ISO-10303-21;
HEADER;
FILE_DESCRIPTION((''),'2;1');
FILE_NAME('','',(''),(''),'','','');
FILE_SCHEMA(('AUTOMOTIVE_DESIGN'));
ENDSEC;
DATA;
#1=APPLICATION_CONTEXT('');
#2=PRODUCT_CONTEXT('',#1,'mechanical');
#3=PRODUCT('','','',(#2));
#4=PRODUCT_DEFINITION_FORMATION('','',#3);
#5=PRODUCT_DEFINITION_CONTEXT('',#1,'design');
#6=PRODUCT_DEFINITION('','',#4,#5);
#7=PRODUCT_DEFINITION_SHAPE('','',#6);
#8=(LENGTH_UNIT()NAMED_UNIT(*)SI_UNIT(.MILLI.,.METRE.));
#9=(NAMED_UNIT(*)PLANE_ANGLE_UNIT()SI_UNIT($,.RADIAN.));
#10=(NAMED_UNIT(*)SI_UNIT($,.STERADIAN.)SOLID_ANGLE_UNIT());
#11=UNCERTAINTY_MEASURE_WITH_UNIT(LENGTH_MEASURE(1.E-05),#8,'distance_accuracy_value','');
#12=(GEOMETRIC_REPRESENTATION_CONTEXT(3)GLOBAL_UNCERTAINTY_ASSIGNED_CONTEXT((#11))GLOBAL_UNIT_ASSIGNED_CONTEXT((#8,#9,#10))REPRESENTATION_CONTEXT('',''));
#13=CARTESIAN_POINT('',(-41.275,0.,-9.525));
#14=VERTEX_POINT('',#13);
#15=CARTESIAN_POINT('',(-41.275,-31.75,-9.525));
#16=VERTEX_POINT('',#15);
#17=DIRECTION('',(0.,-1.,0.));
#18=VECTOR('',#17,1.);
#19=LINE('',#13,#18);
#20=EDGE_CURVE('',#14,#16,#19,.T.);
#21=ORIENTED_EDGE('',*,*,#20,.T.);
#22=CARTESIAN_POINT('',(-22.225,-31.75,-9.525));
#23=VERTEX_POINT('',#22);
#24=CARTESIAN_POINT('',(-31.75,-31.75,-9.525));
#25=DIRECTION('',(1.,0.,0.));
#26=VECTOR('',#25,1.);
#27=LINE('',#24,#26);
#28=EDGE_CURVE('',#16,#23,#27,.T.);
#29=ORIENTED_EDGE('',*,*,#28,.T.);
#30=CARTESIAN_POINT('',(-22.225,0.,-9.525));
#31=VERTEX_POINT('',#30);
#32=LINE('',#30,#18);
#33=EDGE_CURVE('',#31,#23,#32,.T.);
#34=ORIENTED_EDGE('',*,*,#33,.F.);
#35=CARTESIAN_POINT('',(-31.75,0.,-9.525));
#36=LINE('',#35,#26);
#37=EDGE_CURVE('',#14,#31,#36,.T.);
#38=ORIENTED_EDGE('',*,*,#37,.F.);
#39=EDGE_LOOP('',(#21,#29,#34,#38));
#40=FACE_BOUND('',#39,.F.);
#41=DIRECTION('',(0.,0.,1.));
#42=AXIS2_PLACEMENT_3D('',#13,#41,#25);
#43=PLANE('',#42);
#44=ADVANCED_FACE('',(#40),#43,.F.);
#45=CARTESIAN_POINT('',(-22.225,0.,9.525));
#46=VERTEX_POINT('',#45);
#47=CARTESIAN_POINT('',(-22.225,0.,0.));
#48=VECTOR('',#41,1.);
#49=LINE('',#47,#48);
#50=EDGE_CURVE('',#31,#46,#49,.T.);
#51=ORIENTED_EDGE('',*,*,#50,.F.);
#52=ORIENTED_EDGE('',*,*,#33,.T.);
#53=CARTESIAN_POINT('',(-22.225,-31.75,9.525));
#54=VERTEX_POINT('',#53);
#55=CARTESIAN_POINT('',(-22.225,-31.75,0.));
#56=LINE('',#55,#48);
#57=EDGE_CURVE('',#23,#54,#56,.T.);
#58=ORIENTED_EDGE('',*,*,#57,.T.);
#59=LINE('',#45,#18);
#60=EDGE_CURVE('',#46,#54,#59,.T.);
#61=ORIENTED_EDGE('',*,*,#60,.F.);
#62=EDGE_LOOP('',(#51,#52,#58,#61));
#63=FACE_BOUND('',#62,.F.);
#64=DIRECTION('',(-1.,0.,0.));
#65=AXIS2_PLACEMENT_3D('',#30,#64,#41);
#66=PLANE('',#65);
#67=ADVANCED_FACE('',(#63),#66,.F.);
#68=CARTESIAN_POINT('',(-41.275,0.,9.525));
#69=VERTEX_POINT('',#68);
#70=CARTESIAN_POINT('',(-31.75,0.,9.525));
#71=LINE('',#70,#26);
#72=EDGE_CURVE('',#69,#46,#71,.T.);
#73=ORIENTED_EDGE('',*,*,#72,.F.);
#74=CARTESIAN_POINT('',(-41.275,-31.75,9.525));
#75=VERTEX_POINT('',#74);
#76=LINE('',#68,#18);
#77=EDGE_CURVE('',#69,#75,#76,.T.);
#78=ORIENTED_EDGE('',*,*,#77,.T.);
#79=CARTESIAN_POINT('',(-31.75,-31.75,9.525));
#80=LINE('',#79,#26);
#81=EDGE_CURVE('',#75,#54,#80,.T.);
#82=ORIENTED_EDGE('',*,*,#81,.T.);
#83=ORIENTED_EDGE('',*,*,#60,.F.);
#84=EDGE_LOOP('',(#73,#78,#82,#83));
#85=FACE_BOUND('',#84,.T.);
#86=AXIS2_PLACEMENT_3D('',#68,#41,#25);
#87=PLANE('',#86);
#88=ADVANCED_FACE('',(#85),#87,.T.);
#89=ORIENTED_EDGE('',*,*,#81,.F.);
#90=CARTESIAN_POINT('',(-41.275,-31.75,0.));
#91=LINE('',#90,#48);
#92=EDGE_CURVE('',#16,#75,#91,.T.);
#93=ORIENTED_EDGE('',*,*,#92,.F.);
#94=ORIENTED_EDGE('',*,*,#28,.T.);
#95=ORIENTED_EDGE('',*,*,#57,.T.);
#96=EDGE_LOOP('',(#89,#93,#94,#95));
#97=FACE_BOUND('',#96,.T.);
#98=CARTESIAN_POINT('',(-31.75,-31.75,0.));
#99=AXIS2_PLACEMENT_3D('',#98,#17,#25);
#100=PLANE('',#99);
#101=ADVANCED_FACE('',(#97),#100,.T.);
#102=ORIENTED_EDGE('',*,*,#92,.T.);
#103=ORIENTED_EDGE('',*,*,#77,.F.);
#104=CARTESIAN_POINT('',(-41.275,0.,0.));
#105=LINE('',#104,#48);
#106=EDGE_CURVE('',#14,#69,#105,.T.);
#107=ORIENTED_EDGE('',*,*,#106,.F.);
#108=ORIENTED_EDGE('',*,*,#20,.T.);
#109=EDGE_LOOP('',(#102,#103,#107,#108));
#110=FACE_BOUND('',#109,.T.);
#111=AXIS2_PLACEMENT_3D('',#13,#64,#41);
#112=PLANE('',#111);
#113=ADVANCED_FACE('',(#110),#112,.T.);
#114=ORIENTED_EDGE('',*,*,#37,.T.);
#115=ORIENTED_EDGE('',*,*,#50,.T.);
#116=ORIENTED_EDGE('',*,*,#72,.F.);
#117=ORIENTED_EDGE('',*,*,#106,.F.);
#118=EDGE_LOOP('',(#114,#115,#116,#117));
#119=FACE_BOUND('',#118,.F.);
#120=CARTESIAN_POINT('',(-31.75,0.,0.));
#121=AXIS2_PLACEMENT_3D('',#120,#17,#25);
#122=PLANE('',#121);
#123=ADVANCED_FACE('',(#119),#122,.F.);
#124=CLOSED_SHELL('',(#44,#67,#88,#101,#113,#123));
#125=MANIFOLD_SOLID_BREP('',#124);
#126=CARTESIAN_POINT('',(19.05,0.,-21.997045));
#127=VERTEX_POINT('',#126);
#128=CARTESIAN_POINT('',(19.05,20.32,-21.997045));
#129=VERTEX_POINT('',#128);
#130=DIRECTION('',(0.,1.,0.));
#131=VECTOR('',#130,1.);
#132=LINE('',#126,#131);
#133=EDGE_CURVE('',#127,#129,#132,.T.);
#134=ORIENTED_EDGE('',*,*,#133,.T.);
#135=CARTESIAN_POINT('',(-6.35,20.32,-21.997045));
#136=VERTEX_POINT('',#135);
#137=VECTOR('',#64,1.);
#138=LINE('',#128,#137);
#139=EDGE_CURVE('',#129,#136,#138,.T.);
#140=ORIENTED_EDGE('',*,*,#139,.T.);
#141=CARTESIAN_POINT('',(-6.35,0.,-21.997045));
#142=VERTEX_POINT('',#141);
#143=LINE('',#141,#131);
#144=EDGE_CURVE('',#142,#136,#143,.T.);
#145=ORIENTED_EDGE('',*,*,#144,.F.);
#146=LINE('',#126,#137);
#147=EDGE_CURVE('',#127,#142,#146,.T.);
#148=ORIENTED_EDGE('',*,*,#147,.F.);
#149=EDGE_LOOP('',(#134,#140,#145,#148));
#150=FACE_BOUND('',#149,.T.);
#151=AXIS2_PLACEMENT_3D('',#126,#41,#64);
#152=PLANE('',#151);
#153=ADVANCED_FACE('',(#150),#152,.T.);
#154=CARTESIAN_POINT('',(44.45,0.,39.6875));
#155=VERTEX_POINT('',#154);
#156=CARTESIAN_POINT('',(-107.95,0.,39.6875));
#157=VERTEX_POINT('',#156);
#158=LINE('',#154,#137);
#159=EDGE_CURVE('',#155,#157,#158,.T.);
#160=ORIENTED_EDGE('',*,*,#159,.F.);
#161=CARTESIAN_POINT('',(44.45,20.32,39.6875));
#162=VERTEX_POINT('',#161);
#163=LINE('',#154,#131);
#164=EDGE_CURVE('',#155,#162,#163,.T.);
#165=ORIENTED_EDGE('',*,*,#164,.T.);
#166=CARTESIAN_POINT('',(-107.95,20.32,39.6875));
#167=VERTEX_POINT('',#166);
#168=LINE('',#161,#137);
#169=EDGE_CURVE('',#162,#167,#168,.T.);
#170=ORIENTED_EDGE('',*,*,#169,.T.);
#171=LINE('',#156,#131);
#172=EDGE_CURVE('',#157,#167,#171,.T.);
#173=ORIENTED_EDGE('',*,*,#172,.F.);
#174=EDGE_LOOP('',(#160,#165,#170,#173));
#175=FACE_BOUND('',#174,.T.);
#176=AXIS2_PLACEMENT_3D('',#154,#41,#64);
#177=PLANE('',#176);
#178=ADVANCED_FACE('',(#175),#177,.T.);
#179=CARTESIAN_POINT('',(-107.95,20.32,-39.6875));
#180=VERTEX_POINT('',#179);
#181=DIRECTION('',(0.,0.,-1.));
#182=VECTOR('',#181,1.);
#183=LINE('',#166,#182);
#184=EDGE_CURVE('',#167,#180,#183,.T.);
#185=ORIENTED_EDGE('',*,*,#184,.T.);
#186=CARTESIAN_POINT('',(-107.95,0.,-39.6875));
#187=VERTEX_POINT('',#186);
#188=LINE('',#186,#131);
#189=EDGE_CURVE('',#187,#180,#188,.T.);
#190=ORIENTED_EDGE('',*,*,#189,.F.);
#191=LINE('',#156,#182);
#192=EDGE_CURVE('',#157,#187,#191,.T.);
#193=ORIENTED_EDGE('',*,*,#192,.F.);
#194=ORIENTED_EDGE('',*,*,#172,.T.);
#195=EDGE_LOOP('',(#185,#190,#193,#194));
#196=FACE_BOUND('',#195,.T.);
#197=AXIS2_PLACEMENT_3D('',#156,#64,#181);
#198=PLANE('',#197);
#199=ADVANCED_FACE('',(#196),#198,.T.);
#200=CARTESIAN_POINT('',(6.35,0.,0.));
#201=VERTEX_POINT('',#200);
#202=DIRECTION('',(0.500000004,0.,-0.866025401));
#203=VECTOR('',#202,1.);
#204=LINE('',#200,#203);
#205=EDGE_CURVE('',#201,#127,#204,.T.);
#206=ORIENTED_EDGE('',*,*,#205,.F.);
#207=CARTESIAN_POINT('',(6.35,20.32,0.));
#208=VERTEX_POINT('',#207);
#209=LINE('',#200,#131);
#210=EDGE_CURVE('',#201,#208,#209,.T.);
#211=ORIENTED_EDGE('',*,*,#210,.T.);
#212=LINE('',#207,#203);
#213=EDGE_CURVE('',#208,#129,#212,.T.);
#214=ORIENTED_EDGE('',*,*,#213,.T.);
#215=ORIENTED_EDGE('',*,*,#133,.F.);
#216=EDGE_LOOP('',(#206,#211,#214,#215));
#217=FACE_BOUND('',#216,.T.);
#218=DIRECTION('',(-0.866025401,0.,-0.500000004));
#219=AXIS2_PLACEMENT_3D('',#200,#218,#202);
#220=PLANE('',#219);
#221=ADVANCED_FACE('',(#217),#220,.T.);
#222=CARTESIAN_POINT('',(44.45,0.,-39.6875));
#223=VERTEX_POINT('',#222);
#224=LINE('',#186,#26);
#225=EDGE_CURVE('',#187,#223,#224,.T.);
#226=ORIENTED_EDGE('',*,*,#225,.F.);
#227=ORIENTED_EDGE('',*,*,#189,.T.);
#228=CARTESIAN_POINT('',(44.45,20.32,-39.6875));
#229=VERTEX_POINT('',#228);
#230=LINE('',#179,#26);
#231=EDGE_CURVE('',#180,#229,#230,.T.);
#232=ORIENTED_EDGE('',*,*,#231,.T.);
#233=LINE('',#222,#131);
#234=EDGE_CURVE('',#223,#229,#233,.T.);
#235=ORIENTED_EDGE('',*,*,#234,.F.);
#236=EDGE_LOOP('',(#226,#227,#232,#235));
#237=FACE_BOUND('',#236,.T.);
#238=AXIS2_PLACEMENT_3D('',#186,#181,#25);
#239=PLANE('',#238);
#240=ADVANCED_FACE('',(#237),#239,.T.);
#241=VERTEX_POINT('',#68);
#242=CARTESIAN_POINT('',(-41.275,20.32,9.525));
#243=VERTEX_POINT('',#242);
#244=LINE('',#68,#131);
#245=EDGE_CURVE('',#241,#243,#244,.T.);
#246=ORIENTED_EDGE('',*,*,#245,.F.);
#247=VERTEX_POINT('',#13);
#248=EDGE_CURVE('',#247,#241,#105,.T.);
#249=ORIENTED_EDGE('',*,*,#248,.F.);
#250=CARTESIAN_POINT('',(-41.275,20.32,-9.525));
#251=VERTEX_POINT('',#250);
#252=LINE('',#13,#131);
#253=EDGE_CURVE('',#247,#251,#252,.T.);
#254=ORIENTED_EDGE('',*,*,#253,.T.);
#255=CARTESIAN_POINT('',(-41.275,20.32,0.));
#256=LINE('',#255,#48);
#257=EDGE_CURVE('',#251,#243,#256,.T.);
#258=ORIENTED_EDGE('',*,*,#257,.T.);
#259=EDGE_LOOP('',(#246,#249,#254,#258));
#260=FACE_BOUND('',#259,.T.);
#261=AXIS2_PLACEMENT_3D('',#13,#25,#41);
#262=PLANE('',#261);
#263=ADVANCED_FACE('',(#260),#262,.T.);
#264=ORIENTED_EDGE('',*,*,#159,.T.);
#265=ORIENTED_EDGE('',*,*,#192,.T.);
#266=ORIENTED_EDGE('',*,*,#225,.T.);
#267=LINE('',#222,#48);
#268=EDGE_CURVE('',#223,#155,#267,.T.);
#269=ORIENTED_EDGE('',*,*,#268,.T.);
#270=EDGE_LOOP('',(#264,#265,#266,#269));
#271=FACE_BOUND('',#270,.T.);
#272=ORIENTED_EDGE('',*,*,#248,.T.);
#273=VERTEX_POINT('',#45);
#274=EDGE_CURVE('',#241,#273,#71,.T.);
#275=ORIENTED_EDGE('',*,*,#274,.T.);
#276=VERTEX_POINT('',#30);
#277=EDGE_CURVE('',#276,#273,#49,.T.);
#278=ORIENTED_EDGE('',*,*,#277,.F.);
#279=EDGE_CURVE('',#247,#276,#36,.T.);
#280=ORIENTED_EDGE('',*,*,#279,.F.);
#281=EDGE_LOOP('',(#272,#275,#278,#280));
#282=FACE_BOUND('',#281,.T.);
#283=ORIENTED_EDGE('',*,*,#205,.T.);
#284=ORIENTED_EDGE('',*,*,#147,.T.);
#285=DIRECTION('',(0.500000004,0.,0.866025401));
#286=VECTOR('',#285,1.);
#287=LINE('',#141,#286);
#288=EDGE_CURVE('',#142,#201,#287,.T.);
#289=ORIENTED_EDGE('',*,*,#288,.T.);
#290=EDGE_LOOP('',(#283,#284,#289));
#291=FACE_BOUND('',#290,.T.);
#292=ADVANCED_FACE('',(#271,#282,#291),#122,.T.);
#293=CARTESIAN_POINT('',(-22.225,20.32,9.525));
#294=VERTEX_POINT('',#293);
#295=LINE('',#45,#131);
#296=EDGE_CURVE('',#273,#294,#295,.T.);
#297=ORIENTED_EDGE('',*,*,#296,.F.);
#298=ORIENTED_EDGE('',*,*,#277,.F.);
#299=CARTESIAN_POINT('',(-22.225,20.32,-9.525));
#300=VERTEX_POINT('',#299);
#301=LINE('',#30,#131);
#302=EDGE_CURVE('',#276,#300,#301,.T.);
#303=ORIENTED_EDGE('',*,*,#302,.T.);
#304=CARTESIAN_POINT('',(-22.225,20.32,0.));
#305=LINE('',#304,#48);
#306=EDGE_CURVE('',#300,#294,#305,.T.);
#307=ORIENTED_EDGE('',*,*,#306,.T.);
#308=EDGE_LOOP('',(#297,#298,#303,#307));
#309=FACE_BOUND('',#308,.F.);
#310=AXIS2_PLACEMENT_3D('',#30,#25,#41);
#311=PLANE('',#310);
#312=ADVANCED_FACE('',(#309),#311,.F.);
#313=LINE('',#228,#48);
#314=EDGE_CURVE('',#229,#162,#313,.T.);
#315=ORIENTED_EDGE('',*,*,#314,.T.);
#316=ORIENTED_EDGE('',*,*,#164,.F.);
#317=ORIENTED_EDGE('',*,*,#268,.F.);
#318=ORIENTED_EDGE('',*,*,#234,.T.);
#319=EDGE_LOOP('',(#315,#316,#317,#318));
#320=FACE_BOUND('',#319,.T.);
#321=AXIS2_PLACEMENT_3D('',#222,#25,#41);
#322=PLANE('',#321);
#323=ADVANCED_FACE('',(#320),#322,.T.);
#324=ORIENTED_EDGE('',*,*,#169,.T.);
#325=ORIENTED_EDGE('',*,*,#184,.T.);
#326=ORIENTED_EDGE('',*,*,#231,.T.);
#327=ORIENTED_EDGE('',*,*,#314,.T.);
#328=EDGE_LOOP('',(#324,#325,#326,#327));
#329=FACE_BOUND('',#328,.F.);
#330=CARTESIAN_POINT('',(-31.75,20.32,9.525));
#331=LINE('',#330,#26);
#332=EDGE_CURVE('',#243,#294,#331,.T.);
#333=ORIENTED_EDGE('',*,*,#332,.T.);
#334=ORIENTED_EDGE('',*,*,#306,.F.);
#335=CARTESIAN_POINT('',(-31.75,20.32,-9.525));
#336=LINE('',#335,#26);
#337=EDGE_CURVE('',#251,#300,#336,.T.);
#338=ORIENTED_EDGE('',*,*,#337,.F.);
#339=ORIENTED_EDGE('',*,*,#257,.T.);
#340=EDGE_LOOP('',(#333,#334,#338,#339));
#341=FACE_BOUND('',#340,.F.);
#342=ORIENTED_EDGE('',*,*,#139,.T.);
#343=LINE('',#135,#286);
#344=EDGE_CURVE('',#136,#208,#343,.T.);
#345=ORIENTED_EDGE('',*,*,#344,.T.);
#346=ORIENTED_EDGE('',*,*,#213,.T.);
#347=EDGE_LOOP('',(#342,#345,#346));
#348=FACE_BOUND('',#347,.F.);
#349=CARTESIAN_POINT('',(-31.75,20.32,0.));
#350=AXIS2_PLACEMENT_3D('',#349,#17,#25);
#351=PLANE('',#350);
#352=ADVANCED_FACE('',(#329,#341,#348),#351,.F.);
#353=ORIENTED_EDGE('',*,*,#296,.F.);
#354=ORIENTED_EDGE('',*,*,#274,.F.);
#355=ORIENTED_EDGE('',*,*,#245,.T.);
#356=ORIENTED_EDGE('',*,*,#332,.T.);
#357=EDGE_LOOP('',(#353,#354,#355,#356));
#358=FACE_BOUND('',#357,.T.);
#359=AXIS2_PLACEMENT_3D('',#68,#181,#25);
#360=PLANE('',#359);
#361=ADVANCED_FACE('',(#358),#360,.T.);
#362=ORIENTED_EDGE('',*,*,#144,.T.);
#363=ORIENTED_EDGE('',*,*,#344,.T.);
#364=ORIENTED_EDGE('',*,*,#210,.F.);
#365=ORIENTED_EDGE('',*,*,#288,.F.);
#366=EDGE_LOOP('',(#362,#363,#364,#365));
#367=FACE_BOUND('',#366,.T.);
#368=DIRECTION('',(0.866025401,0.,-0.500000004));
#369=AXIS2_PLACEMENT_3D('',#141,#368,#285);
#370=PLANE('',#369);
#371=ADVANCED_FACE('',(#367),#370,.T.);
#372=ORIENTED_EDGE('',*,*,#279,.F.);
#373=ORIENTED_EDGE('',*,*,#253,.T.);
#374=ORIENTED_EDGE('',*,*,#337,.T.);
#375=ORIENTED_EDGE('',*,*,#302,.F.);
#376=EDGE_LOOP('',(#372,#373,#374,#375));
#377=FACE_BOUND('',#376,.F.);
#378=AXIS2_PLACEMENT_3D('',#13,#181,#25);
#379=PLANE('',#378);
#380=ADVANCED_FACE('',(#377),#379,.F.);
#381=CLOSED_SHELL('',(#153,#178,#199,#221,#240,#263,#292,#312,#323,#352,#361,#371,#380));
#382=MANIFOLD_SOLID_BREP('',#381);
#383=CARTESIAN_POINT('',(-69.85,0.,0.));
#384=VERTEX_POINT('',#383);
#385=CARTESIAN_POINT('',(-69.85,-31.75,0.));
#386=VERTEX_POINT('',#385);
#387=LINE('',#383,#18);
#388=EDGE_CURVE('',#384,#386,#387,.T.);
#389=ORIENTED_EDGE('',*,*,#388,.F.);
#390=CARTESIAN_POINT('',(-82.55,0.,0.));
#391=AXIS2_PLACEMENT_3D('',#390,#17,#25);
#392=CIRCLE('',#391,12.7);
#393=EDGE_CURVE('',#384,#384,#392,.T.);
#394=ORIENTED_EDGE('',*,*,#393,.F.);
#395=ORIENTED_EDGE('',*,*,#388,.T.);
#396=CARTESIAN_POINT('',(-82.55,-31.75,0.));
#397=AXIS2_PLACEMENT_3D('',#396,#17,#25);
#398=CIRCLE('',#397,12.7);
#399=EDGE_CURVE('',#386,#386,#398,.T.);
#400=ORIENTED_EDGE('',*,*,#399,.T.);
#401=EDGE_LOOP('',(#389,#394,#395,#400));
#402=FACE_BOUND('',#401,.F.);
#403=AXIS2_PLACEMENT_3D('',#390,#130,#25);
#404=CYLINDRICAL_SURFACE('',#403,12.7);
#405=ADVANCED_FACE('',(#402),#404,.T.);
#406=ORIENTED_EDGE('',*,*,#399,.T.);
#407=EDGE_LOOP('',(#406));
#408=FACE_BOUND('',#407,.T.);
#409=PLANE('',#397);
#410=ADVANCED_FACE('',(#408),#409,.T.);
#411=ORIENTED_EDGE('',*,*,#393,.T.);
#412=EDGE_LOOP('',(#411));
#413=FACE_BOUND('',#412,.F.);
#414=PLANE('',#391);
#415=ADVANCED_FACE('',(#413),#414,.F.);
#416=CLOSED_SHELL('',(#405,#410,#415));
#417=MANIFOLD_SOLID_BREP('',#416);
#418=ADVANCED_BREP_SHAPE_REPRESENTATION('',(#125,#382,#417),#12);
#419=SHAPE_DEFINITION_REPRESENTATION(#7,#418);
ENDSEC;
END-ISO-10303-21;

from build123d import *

# Parameters (mm, degrees)
F0_R     = 12.7
F0_W     = 19.05
F0_H     = 19.05
F1_DEPTH = 20.32
F2_DEPTH = 31.75


with BuildPart() as f1:
    # F0 (on Front) → F1 (new body)
    with BuildSketch(Plane.XZ):
        Polygon((44.45, -39.6875), (44.45, 0), (44.45, 39.6875), (-107.95, 39.6875), (-107.95, -39.6875), align=None)
        Polygon((-6.35, -21.997045), (6.35, 0), (19.05, -21.997045), align=None, mode=Mode.SUBTRACT)
        with Locations((-82.55, 0)):
            Circle(F0_R, mode=Mode.SUBTRACT)
        with Locations((-31.75, 0)):
            Rectangle(F0_W, F0_H, mode=Mode.SUBTRACT)
        with Locations((-82.55, 0)):
            Circle(F0_R)
    extrude(amount=-F1_DEPTH)


with BuildPart() as f2:
    # F0 (on Front) → F2 (new body)
    with BuildSketch(Plane.XZ):
        with Locations((-82.55, 0)):
            Circle(F0_R)
        with Locations((-31.75, 0)):
            Rectangle(F0_W, F0_H)
    extrude(amount=F2_DEPTH)


solid = Compound([f1.part, f2.part])
